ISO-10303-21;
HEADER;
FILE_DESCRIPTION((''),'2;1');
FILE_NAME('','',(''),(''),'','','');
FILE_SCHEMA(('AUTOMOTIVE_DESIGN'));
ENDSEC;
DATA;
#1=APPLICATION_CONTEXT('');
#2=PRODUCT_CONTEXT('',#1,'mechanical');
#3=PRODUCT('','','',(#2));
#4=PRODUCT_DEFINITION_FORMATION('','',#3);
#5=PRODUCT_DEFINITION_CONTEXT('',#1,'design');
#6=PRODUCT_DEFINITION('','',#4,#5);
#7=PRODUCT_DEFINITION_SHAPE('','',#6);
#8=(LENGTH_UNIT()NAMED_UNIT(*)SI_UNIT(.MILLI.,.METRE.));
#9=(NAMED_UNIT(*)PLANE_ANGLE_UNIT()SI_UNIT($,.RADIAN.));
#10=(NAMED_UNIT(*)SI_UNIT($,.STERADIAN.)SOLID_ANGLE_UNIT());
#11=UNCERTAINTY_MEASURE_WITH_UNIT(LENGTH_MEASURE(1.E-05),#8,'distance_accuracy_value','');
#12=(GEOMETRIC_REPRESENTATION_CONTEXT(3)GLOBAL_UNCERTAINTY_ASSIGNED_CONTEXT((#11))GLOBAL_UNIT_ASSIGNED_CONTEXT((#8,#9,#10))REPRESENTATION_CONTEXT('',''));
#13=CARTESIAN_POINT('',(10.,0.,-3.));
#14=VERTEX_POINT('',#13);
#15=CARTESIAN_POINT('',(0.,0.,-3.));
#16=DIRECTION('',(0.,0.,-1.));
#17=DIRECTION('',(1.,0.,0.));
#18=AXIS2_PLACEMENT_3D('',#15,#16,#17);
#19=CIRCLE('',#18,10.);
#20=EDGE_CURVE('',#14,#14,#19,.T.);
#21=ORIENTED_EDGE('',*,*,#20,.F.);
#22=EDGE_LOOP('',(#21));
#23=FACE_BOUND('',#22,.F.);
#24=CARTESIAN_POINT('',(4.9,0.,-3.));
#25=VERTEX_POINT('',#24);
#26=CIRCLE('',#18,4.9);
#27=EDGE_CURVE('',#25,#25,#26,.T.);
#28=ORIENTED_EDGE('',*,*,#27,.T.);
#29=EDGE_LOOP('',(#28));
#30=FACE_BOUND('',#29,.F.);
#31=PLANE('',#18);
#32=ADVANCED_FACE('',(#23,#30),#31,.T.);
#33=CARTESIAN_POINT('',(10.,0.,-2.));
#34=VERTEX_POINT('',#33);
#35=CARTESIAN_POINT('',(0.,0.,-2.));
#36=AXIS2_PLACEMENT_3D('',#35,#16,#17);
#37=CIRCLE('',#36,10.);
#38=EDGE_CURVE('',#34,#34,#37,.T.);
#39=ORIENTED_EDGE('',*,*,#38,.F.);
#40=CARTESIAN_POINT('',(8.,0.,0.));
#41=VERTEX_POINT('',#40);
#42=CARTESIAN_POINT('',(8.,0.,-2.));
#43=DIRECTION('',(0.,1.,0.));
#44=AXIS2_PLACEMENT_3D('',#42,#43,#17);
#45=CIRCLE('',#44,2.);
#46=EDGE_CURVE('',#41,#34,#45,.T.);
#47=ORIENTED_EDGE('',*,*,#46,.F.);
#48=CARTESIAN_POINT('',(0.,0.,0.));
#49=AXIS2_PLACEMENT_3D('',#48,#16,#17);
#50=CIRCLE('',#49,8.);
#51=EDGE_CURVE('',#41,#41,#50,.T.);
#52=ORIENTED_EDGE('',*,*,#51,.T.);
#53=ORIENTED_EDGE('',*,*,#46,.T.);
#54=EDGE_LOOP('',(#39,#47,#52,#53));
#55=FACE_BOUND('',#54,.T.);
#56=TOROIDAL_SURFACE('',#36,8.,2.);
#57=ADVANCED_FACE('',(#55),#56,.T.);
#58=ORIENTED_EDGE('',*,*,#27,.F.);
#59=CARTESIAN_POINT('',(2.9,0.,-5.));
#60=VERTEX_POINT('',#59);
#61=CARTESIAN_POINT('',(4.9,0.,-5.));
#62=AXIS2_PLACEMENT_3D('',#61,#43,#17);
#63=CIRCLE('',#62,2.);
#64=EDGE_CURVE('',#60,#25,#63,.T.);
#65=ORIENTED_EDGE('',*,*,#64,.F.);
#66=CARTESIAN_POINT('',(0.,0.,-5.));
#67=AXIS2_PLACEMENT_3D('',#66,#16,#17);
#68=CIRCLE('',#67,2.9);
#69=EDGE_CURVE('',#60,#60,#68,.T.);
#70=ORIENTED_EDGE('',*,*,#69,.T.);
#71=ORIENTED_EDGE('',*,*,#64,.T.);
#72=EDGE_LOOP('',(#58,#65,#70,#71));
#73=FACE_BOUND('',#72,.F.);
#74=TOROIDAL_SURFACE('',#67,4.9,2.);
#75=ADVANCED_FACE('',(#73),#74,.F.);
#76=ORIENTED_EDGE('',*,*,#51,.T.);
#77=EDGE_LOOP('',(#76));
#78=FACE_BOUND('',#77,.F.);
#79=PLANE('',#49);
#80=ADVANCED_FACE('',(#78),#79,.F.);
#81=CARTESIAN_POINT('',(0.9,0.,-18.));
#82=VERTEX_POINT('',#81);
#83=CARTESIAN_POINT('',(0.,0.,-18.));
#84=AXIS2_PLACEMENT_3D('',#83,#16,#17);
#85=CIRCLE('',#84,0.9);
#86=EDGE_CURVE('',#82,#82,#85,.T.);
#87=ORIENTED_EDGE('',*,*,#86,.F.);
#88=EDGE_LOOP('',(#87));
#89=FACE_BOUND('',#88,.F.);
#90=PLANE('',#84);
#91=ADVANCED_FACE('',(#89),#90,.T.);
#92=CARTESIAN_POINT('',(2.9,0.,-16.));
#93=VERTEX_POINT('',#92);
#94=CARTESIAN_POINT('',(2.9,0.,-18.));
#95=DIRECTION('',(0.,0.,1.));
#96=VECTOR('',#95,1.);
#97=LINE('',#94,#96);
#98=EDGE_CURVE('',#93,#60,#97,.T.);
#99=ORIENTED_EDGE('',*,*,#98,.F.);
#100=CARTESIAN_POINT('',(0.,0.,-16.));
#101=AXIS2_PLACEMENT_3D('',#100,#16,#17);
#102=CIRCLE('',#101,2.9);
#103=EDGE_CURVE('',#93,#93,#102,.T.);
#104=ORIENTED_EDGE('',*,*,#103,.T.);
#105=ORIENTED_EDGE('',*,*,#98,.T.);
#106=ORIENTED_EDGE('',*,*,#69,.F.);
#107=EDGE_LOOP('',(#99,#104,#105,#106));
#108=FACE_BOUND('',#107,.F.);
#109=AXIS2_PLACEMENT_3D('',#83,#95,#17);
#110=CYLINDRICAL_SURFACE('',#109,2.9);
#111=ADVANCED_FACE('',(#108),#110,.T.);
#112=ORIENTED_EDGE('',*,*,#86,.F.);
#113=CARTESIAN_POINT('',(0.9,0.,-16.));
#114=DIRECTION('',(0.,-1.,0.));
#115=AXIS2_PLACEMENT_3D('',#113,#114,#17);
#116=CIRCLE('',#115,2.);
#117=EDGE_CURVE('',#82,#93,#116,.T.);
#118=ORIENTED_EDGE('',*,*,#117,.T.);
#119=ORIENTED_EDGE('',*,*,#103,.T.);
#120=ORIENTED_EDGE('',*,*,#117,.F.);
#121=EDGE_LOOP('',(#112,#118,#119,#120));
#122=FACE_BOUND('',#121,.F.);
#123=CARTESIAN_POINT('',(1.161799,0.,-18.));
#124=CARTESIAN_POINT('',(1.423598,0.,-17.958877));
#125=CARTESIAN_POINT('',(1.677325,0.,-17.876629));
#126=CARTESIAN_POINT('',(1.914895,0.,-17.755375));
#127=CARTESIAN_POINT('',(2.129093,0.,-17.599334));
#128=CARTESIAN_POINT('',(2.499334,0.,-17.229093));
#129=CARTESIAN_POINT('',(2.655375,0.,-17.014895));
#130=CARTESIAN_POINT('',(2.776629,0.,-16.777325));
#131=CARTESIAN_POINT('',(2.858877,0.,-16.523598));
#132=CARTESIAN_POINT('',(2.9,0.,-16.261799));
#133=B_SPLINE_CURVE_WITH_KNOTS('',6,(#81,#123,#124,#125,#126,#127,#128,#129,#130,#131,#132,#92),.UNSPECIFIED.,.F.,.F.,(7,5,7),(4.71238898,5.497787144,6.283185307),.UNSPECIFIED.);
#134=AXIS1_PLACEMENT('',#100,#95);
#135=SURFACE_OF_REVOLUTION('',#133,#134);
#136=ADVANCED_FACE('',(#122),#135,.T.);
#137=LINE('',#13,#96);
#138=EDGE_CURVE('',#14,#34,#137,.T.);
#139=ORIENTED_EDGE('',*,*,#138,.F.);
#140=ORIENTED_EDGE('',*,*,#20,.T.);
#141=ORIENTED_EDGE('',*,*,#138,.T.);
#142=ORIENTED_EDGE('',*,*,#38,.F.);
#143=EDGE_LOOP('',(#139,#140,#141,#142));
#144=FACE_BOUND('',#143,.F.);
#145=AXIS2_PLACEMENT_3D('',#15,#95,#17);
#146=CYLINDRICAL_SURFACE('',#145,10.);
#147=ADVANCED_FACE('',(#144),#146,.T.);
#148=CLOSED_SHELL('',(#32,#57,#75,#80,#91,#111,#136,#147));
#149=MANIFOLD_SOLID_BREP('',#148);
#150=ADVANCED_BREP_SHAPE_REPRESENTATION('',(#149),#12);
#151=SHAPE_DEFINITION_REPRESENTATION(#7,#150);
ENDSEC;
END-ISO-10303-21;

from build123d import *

# Parameters (mm, degrees)
F2_R = 2


with BuildPart() as f1:
    # F0 (on Front) → F1 (revolve)
    with BuildSketch(Plane.XZ):
        Polygon((10, 0), (0, 0), (0, -3), (0, -18), (2.9, -18), (2.9, -3), (10, -3), align=None)
    revolve(axis=Axis((0, 0, -11.278831), (0, 0, -1)))

    # F2
    f2_edges = [f1.edges().sort_by_distance(p)[0] for p in [
        (-2.9, 0, -18),
        (-10, 0, 0),
        (-2.9, 0, -3),
        (2.9, 0, -10.5),
    ]]
    fillet(f2_edges, radius=F2_R)


solid = f1.part
